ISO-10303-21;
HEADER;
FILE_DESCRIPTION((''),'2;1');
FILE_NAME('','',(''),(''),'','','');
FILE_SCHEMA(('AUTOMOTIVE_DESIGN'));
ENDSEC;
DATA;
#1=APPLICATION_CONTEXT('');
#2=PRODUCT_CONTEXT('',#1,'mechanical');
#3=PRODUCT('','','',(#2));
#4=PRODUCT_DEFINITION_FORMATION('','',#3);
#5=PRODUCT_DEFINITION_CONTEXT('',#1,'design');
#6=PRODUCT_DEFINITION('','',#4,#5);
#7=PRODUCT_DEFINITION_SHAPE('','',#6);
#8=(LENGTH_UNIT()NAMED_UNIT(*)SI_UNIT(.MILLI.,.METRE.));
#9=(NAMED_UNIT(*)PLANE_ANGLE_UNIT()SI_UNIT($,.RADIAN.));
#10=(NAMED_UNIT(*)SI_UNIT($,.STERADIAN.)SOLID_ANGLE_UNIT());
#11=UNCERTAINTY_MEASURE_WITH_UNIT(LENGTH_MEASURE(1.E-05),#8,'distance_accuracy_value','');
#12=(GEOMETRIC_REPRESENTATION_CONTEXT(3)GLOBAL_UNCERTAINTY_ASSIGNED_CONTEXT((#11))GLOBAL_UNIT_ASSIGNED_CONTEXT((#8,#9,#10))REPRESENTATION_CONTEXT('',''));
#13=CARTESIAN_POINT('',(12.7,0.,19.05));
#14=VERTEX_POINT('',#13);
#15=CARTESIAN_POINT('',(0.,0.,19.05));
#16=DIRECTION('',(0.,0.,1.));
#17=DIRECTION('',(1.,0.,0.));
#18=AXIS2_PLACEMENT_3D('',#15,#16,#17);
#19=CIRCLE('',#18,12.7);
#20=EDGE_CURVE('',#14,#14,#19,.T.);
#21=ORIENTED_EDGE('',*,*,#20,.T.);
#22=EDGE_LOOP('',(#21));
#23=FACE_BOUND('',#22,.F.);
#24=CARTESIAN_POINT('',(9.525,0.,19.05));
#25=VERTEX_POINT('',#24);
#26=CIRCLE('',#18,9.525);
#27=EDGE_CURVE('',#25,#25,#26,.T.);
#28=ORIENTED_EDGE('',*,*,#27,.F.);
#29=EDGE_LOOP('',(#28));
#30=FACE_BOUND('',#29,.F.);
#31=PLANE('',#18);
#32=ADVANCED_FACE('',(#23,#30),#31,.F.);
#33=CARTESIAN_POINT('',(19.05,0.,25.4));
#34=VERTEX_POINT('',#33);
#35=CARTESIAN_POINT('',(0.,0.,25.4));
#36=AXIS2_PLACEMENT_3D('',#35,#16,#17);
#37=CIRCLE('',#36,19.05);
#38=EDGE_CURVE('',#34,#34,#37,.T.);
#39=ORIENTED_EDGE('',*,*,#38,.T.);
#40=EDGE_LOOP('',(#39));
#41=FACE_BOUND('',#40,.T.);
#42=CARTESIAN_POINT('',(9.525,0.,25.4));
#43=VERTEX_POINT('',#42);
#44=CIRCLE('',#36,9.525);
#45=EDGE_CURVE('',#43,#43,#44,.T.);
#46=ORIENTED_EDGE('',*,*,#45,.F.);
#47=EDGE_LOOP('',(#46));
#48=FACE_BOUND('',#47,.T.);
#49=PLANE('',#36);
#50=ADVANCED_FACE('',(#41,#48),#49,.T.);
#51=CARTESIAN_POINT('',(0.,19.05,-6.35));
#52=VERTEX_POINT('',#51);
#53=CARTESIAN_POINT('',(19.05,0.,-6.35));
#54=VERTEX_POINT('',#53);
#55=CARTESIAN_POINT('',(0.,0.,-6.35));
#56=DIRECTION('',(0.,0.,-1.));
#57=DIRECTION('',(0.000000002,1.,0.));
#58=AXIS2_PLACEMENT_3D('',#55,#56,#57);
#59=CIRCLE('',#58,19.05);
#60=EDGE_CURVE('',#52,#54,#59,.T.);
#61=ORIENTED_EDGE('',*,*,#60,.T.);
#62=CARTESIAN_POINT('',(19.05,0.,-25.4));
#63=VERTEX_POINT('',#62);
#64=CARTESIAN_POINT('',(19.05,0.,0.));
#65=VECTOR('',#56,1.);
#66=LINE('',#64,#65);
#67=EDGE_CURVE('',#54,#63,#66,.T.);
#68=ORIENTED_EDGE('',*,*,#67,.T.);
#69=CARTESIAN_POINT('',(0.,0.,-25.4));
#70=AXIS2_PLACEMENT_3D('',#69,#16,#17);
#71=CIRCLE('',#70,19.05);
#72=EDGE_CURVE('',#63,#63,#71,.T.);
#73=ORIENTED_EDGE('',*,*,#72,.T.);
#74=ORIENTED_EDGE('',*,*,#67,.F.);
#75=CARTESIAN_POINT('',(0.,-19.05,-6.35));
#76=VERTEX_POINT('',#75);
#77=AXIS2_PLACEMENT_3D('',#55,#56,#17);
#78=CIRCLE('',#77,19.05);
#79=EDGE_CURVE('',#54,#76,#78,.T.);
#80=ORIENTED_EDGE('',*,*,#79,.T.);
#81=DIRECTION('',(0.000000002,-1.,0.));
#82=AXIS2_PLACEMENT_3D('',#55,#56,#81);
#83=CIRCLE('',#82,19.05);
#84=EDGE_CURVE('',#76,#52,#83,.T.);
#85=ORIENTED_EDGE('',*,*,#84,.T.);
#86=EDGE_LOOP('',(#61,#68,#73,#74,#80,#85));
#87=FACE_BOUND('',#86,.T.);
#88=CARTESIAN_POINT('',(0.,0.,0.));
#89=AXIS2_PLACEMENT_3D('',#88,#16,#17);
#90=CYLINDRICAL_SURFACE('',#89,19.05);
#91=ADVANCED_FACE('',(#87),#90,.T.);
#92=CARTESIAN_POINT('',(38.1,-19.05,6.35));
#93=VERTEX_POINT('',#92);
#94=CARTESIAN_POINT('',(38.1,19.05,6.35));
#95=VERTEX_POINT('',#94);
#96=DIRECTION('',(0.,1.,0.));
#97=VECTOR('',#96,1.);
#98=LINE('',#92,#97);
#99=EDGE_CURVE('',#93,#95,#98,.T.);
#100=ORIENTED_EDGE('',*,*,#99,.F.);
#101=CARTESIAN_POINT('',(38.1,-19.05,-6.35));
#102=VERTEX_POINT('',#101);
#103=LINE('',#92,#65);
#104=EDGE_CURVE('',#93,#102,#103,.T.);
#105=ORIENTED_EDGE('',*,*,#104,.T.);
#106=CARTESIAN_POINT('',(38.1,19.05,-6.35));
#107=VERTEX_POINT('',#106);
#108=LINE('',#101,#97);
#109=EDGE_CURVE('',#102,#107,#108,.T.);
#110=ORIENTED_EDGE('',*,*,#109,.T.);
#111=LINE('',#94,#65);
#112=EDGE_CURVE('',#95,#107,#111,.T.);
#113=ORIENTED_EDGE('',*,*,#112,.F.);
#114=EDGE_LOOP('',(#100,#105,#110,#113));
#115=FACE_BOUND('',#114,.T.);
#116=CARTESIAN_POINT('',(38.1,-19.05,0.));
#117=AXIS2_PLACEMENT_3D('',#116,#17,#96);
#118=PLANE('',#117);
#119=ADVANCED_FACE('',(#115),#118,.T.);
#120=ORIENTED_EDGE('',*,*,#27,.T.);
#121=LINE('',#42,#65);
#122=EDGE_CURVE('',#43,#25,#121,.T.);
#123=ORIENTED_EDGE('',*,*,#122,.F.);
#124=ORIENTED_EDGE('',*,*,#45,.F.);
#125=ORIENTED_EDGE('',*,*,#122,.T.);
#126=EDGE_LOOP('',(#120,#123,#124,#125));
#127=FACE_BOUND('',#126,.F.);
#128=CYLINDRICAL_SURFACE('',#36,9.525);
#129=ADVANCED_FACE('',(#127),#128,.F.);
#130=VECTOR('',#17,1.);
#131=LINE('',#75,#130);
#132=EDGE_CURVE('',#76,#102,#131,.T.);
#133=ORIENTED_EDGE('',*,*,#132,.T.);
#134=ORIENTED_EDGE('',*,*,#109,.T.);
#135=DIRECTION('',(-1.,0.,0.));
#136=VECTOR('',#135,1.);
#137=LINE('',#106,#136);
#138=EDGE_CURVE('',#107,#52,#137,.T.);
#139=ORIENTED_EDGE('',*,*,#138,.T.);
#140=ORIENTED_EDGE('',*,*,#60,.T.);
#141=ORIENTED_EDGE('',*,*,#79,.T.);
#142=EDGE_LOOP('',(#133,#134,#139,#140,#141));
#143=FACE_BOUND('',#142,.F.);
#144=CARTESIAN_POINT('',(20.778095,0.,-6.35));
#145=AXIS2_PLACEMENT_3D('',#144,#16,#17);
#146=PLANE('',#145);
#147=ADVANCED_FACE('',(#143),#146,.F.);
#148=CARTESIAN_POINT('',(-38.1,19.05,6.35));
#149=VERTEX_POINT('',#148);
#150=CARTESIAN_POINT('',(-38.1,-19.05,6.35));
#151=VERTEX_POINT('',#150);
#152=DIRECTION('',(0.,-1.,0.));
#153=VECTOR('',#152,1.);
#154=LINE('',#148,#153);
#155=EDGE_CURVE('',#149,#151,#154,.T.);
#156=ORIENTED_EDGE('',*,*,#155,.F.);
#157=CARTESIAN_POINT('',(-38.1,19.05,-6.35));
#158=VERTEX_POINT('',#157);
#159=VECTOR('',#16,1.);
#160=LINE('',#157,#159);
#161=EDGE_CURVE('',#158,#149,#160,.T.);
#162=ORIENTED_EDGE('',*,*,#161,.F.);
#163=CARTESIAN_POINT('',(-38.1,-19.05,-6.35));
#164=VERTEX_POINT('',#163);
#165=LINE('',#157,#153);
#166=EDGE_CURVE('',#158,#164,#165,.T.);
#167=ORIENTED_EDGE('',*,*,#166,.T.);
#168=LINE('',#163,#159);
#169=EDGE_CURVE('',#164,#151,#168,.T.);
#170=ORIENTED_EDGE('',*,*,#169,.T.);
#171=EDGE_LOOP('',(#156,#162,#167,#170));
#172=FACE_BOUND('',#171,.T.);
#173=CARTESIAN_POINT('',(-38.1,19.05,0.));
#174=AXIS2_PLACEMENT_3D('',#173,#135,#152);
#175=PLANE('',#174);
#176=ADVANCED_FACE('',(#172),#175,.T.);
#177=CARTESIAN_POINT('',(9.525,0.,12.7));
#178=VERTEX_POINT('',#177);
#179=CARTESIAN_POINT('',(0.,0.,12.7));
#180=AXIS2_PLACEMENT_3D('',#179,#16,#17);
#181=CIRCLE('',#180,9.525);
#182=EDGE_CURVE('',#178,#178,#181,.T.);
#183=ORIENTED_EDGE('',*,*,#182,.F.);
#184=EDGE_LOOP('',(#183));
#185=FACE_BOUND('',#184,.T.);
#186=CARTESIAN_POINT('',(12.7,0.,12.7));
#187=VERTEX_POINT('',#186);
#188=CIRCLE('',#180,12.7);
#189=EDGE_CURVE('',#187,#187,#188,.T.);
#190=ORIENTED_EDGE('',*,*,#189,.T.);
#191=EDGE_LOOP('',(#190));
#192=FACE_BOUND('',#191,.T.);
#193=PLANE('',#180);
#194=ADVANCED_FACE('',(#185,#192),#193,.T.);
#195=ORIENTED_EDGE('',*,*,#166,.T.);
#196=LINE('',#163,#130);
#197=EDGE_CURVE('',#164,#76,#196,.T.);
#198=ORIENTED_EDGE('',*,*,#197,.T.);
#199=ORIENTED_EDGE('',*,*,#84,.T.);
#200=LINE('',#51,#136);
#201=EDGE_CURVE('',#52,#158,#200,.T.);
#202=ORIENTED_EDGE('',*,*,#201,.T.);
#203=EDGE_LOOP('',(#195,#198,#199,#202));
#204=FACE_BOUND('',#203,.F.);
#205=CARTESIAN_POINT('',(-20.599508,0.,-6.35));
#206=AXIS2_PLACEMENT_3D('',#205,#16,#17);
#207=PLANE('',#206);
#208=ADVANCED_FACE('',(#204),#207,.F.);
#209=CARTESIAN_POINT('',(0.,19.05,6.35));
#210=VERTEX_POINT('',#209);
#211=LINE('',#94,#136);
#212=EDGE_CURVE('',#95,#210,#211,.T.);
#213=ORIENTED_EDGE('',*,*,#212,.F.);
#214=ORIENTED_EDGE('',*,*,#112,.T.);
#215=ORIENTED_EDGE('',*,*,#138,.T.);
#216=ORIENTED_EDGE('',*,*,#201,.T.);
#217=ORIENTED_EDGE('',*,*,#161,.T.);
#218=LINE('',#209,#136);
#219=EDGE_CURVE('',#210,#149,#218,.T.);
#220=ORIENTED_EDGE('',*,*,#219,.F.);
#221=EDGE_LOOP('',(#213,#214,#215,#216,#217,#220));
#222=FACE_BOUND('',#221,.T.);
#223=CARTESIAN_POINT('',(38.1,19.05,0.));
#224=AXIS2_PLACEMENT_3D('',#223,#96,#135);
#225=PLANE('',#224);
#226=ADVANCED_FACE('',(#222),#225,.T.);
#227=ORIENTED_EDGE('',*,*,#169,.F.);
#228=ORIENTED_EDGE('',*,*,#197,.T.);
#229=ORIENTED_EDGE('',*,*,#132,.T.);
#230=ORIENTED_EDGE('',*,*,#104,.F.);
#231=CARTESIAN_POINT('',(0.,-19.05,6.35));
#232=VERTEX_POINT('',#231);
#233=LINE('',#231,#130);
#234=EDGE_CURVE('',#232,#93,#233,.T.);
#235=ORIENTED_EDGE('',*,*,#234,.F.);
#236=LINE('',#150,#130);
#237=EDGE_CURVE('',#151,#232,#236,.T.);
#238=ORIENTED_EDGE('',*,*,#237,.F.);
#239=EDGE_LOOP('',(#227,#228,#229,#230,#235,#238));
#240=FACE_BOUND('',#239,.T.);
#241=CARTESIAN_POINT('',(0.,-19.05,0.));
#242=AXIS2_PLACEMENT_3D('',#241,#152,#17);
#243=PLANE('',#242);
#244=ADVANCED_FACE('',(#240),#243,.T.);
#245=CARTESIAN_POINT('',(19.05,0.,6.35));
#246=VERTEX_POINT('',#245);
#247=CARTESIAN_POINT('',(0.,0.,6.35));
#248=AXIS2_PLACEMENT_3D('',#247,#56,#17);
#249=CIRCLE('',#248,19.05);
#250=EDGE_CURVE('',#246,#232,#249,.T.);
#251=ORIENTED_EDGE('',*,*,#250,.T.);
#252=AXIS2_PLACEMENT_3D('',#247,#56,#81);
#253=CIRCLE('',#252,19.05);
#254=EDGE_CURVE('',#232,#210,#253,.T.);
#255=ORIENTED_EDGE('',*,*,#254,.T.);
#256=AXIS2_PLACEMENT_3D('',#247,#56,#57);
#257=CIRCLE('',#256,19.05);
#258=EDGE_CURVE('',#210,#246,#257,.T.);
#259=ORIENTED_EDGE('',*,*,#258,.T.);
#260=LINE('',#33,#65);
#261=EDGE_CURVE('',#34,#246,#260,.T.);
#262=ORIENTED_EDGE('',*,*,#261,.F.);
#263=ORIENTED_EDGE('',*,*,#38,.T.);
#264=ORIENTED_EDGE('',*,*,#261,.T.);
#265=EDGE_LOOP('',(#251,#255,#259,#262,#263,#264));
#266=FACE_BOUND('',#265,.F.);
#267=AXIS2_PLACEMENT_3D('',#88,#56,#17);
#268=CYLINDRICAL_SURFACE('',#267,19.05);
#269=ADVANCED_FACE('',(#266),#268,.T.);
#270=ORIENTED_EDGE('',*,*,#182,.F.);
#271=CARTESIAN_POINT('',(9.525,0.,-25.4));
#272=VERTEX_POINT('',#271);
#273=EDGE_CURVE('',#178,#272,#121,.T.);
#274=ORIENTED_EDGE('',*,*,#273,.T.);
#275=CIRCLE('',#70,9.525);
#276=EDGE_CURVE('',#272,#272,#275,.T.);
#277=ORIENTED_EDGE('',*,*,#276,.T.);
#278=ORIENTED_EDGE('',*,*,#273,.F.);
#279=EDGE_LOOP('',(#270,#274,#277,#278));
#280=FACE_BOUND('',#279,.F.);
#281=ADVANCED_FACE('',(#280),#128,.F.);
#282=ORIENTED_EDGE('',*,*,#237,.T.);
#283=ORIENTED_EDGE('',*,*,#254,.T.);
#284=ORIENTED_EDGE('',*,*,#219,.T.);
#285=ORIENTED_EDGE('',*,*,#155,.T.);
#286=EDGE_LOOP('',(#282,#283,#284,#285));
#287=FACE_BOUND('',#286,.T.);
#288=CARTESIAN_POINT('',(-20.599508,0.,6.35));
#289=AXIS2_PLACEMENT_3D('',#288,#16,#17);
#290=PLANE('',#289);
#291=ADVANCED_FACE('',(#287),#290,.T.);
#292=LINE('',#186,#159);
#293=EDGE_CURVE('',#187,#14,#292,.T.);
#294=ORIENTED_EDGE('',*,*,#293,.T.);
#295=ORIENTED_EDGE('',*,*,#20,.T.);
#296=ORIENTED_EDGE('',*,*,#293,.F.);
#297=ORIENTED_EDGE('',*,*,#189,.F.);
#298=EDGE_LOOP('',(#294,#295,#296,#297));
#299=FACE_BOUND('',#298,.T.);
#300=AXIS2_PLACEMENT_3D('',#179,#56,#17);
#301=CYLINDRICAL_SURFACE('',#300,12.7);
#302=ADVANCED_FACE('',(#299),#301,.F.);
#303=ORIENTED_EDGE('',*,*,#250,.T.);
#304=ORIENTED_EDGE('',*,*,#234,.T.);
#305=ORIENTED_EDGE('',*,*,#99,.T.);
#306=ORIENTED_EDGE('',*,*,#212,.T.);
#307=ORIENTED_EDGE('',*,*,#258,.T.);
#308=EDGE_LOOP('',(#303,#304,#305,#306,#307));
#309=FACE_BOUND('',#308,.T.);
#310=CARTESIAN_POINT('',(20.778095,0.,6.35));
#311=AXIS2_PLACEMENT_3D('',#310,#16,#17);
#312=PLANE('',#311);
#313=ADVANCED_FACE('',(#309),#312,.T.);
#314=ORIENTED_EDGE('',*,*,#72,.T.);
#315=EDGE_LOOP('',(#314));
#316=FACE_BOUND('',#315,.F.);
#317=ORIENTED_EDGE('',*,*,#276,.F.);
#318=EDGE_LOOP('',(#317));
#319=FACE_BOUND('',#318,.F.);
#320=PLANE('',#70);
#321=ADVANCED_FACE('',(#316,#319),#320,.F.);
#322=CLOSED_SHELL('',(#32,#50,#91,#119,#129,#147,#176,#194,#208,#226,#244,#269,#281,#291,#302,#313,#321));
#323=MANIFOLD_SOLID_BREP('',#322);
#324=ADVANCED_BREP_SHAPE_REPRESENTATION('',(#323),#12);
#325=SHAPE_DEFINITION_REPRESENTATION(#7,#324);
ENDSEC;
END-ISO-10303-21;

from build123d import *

# Parameters (mm, degrees)
F0_R          = 19.05
F1_DEPTH      = 25.4
F1_DEPTH_BACK = 12.7
F2_R          = 19.05
F2_R_2        = 12.7
F3_DEPTH      = 6.35
F4_R          = 19.05
F5_DEPTH      = 6.35
F6_R          = 9.525
F7_DEPTH      = 50.801
F9_DEPTH      = 6.35


with BuildPart() as f1:
    # F0 (on Top) → F1 (new body, two sides)
    with BuildSketch(Plane.XY) as f1_sk:
        Circle(F0_R)
    extrude(amount=-F1_DEPTH)
    extrude(f1_sk.sketch, amount=F1_DEPTH_BACK)

    # F2 (on face) → F3 (join)
    with BuildSketch(Plane.XY.offset(12.7)):
        Circle(F2_R)
        Circle(F2_R_2, mode=Mode.SUBTRACT)
    extrude(amount=F3_DEPTH)

    # F4 (on face) → F5 (join)
    with BuildSketch(Plane.XY.offset(19.05)):
        Circle(F4_R)
    extrude(amount=F5_DEPTH)

    # F6 (on face) → F7 (cut, through all)
    with BuildSketch(Plane.XY.offset(25.4)):
        Circle(F6_R)
    extrude(amount=-F7_DEPTH, mode=Mode.SUBTRACT)

    # F8 (on Top) → F9 (join, symmetric)
    with BuildSketch(Plane.XY):
        with BuildLine():
            Line((3.68e-08, 19.05), (-38.1, 19.05))
            Line((-38.1, 19.05), (-38.1, -19.05))
            Line((-38.1, -19.05), (3.68e-08, -19.05))
            ThreePointArc((3.68e-08, -19.05), (-19.05, 0), (3.68e-08, 19.05))
        make_face()
        with BuildLine():
            Line((38.1, 19.05), (3.68e-08, 19.05))
            ThreePointArc((3.68e-08, 19.05), (13.4703841946, 13.4703841686), (19.05, 0))
            ThreePointArc((19.05, 0), (13.4703841946, -13.4703841686), (3.68e-08, -19.05))
            Line((3.68e-08, -19.05), (38.1, -19.05))
            Line((38.1, -19.05), (38.1, 19.05))
        make_face()
    extrude(amount=F9_DEPTH, both=True)


solid = f1.part
